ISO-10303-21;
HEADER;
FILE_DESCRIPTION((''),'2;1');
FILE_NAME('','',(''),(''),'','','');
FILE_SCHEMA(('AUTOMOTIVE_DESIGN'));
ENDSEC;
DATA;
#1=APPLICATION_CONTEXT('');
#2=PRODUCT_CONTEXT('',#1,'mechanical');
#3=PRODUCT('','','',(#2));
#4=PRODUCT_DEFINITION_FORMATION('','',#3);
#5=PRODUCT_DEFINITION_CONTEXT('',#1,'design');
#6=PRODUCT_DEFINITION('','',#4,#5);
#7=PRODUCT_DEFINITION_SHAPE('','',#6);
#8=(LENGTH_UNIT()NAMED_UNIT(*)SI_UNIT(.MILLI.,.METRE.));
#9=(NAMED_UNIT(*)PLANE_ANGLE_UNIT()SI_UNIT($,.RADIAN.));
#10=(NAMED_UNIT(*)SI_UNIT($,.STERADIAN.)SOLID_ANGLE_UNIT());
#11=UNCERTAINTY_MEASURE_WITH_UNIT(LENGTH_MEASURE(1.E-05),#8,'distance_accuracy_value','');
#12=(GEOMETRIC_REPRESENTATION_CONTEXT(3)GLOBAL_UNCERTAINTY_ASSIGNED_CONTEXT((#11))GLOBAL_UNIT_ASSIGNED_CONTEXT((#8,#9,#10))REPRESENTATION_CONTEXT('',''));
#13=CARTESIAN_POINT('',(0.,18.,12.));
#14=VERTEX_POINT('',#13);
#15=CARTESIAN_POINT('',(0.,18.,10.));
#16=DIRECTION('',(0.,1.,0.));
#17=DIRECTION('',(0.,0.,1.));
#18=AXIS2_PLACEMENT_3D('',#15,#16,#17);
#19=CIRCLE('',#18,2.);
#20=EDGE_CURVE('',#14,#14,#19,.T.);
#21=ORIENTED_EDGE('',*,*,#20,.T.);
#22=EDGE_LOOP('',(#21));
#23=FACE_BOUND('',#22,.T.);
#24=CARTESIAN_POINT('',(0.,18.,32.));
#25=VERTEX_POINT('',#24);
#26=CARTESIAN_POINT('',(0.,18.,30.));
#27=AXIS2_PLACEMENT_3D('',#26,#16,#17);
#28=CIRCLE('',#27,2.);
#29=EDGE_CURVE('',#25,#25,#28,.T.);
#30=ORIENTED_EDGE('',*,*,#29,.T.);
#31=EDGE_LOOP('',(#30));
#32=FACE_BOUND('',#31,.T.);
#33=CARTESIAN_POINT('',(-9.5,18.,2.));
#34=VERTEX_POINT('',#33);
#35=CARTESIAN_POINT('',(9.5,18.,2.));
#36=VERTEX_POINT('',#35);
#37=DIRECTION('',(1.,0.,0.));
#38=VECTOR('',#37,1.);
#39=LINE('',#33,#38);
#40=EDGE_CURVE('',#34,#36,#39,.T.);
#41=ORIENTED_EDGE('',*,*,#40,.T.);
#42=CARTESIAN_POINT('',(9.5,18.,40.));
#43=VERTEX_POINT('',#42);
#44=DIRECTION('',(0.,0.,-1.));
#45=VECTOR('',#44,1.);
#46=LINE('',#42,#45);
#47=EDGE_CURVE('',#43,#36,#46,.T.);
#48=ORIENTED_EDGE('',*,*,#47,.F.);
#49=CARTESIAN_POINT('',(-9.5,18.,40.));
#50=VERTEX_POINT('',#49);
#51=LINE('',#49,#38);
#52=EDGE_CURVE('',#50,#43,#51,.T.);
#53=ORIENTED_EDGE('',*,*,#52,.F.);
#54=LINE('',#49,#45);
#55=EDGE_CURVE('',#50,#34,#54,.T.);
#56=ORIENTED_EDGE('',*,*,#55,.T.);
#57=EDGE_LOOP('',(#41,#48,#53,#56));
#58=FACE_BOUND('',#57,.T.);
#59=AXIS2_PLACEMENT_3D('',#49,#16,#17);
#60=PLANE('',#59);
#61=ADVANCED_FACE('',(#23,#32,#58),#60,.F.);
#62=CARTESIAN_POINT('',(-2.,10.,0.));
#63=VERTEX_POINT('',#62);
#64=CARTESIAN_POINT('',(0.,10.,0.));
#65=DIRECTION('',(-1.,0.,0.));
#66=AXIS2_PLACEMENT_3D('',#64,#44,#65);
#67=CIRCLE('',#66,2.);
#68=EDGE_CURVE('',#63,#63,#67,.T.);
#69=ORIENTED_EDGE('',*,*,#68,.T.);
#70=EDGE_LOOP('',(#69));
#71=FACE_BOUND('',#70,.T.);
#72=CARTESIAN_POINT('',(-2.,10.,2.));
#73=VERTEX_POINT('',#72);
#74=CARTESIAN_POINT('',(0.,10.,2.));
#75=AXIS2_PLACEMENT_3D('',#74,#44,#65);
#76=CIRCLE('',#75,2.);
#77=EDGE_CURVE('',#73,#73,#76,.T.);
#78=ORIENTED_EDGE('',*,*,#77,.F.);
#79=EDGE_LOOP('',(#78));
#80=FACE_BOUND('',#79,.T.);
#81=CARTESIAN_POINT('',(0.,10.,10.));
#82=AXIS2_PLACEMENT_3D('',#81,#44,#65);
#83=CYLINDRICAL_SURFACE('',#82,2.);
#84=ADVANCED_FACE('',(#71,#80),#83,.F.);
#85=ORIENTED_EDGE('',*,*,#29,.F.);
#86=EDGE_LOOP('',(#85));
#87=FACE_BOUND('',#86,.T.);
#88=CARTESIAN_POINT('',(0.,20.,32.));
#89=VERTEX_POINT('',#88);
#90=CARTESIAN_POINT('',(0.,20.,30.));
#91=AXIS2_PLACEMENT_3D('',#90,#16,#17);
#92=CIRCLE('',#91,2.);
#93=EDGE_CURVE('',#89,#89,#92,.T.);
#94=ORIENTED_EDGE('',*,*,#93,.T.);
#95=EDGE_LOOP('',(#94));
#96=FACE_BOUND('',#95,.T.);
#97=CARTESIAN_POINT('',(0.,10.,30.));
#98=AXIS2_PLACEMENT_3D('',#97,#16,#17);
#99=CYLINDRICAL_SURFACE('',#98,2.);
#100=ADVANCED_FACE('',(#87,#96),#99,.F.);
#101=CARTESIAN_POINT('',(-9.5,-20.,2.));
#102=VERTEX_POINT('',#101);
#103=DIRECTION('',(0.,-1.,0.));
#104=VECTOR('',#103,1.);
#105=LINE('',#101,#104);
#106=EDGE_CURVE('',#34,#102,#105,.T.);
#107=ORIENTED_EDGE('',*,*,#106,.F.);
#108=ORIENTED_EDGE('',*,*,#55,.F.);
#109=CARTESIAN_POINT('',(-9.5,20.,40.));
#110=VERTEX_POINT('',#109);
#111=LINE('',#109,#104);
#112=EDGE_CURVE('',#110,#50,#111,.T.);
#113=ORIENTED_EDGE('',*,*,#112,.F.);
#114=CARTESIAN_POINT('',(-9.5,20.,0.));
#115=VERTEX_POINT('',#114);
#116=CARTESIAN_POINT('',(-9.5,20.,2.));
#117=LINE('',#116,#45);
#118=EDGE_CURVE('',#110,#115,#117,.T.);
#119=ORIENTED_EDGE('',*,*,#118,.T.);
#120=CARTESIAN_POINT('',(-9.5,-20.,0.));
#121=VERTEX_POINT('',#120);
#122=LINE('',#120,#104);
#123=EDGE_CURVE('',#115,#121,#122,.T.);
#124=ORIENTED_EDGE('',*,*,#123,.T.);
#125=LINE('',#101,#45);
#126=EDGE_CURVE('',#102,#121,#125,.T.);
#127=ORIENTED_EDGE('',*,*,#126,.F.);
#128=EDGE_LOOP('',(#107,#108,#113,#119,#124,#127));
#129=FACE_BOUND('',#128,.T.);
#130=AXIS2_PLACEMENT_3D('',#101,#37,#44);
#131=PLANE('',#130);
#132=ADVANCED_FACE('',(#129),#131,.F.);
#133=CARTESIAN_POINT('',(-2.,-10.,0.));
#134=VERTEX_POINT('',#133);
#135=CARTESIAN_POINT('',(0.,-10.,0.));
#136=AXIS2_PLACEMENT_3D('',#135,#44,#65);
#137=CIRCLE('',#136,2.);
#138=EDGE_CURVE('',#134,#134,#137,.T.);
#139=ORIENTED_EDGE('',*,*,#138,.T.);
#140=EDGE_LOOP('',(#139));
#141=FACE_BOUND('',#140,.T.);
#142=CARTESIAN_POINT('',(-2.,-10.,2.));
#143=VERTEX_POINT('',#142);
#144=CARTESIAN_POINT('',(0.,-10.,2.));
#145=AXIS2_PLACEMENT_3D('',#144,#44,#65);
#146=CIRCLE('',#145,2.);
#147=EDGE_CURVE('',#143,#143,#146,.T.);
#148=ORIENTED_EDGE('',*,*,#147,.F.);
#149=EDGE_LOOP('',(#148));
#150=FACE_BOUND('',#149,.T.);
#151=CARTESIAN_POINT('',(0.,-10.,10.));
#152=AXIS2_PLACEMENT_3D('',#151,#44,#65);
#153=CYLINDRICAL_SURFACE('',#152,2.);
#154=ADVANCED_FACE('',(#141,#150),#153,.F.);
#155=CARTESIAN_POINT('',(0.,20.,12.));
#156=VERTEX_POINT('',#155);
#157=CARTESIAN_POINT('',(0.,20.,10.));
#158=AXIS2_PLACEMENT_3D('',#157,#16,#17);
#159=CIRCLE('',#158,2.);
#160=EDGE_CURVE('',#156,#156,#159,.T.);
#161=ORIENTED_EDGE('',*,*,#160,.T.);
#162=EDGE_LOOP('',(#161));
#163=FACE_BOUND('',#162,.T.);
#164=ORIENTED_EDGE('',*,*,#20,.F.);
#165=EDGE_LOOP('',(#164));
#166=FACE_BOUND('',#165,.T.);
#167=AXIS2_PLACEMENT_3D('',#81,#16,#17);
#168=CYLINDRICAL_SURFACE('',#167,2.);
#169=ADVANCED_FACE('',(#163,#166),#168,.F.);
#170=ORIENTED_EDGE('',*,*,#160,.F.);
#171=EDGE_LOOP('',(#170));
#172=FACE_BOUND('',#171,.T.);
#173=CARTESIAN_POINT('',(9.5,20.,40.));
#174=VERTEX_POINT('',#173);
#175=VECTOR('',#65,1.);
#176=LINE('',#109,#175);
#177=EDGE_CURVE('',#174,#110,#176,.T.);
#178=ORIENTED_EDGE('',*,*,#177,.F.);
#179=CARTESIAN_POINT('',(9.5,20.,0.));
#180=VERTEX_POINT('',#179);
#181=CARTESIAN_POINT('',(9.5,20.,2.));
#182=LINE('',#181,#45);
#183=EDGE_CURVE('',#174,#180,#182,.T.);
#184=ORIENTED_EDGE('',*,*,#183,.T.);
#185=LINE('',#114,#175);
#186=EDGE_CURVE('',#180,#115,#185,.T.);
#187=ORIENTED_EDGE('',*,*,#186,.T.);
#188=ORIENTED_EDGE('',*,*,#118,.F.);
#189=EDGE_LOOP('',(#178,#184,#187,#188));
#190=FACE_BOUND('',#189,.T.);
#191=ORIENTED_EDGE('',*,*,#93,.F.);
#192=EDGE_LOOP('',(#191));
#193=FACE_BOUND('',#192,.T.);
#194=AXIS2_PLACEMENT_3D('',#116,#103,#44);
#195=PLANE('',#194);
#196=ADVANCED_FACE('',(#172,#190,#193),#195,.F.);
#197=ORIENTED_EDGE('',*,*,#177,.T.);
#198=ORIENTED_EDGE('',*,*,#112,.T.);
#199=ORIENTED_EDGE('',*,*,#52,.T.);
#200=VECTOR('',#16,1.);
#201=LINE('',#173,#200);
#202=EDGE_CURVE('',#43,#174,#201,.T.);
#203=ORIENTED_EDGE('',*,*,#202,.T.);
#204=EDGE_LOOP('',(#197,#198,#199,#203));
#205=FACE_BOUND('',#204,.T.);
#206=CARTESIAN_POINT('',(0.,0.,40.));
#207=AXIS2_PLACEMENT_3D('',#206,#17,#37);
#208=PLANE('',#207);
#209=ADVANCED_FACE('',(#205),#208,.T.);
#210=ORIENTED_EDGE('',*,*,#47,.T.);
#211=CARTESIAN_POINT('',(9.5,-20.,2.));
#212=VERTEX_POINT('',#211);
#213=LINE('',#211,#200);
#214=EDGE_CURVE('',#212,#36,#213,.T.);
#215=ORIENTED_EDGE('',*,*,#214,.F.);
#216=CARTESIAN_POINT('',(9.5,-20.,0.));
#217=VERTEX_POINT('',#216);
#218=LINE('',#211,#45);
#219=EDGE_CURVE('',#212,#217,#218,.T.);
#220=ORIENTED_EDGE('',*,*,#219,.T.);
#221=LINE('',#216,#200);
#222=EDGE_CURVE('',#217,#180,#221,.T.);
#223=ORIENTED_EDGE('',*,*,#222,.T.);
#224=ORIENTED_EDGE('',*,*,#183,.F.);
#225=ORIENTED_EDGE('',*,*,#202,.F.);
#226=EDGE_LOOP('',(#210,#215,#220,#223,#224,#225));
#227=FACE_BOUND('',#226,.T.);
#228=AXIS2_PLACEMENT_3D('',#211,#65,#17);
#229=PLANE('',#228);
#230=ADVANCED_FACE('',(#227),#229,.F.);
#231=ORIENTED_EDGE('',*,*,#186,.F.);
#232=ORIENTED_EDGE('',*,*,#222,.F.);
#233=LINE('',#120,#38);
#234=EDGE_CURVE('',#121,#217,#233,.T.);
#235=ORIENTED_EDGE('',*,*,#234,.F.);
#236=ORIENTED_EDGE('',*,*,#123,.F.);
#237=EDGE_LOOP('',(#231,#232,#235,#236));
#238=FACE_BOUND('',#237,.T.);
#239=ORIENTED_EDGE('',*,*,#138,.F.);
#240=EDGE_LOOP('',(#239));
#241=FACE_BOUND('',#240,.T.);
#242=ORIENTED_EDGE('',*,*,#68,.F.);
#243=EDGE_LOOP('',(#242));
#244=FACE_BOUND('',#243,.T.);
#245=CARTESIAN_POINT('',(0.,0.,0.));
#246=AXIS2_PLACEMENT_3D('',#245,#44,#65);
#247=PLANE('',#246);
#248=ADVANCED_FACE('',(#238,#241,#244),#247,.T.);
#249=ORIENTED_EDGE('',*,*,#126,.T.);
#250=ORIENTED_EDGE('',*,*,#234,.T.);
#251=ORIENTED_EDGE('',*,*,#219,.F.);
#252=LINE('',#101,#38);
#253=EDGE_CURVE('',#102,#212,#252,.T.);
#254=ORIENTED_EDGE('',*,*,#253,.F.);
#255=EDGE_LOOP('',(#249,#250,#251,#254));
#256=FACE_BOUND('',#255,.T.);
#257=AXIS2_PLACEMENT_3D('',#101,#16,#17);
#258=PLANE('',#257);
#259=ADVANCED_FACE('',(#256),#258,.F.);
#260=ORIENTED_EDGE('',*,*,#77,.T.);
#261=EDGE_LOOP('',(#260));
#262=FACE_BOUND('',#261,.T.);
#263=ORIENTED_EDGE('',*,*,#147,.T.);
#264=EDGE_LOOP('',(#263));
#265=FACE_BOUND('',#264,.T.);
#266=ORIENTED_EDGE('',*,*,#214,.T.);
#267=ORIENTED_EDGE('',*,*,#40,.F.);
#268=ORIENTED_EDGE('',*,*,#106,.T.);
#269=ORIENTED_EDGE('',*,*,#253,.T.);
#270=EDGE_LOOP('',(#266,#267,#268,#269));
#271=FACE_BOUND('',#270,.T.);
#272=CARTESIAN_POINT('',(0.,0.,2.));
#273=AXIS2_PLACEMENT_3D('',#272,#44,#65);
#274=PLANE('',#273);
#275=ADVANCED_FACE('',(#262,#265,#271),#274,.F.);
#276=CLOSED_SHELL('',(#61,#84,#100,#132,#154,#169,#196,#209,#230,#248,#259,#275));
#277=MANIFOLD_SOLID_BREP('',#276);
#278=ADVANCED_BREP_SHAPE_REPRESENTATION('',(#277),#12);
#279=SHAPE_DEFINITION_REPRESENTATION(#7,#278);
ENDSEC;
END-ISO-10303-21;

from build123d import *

# Parameters (mm, degrees)
SKETCH1_W           = 19
SKETCH1_H           = 40
BOSS_EXTRUDE1_DEPTH = 2
SKETCH2_W           = 19
SKETCH2_H           = 2
BOSS_EXTRUDE2_DEPTH = 38
SKETCH3_R           = 2
CUT_EXTRUDE1_DEPTH  = 10
SKETCH4_R           = 2
CUT_EXTRUDE2_DEPTH  = 10


with BuildPart() as part:
    # Sketch1 → Boss-Extrude1 (new body)
    with BuildSketch(Plane.XY):
        Rectangle(SKETCH1_W, SKETCH1_H)
    extrude(amount=BOSS_EXTRUDE1_DEPTH)

    # Sketch2 → Boss-Extrude2 (add)
    with BuildSketch(Plane.XY.offset(2)):
        with Locations((0, 19)):
            Rectangle(SKETCH2_W, SKETCH2_H)
    extrude(amount=BOSS_EXTRUDE2_DEPTH)

    # Sketch3 → Cut-Extrude1 (cut)
    with BuildSketch(Plane(origin=(0, 0, 0), x_dir=(-1, 0, 0), z_dir=(0, 0, -1))):
        with Locations((0, 10)):
            Circle(SKETCH3_R)
        with Locations((0, -10)):
            Circle(SKETCH3_R)
    extrude(amount=-CUT_EXTRUDE1_DEPTH, mode=Mode.SUBTRACT)

    # Sketch4 → Cut-Extrude2 (cut)
    with BuildSketch(Plane(origin=(0, 20, 0), x_dir=(1, 0, 0), z_dir=(0, 1, 0))):
        with Locations(Location((0, -10, 0), (0, 0, 270))):
            Circle(SKETCH4_R)
        with Locations(Location((0, -30, 0), (0, 0, 270))):
            Circle(SKETCH4_R)
    extrude(amount=-CUT_EXTRUDE2_DEPTH, mode=Mode.SUBTRACT)


solid = part.part
